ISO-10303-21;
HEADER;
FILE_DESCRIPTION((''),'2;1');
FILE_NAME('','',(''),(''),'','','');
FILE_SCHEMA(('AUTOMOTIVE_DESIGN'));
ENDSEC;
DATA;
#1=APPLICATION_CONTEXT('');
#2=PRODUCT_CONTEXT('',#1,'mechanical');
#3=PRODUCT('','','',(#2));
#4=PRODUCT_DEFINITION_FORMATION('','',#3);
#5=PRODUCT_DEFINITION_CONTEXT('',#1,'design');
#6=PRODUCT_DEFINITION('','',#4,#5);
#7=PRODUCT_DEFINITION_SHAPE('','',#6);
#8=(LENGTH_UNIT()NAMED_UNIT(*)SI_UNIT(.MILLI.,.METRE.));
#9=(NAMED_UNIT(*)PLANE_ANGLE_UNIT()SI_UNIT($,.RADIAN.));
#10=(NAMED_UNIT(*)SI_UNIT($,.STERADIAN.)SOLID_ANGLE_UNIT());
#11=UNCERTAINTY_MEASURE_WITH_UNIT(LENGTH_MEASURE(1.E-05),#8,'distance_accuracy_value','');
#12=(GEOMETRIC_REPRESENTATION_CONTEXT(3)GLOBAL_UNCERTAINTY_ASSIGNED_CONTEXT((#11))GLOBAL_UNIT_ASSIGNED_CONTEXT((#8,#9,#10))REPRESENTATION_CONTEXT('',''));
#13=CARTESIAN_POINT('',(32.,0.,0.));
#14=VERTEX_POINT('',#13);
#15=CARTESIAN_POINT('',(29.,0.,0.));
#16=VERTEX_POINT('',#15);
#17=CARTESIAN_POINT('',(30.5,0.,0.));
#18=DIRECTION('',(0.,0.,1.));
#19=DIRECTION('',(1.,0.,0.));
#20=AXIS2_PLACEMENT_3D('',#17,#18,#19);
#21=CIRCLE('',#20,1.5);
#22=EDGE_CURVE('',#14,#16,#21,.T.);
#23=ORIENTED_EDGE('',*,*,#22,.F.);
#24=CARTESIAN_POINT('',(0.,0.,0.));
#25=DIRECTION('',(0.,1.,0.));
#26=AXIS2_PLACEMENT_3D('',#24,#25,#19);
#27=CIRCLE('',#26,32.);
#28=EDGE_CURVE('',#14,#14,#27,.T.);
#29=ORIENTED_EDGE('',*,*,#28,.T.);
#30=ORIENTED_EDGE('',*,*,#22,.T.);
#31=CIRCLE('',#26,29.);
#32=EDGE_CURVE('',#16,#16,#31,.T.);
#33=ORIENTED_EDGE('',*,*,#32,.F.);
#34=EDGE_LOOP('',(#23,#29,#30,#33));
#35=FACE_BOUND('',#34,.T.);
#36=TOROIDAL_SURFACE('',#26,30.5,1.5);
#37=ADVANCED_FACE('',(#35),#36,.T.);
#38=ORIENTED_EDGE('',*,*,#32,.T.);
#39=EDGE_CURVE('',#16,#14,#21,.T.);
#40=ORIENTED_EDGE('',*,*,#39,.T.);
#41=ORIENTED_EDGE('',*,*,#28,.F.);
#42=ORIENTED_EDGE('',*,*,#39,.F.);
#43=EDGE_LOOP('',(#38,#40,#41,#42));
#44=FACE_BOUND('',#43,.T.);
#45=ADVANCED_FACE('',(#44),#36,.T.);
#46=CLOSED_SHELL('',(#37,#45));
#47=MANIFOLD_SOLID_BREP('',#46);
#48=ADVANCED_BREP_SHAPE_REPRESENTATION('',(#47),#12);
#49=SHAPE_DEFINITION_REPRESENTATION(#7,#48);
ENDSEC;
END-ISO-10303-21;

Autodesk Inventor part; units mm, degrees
ref_plane "YZ Plane" through (0, 0, 0) normal (1, 0, 0) x (0, 1, 0)
ref_plane "XZ Plane" through (0, 0, 0) normal (0, 1, 0) x (-1, 0, 0)
ref_plane "XY Plane" through (0, 0, 0) normal (0, 0, 1) x (1, 0, 0)
sketch "Sketch1" plane through (0, 0, 0) normal (0, 0, 1) x (1, 0, 0)
  line L0 (0, -1.8) -> (0, 2.4) projected
  line L1 (-3.2, 0) -> (41.6, 0) projected
  circle A0 centre (30.5, 0) radius 1.5
  point P0 (0, 0)
  dimension "d0" = 3
  dimension "d1" = 61
revolve "Revolution1" add sketch "Sketch1" angle 360 about axis through (0, -10, 0) along (0, 1, 0)
properties part number "Oring1" material "Silicone"
